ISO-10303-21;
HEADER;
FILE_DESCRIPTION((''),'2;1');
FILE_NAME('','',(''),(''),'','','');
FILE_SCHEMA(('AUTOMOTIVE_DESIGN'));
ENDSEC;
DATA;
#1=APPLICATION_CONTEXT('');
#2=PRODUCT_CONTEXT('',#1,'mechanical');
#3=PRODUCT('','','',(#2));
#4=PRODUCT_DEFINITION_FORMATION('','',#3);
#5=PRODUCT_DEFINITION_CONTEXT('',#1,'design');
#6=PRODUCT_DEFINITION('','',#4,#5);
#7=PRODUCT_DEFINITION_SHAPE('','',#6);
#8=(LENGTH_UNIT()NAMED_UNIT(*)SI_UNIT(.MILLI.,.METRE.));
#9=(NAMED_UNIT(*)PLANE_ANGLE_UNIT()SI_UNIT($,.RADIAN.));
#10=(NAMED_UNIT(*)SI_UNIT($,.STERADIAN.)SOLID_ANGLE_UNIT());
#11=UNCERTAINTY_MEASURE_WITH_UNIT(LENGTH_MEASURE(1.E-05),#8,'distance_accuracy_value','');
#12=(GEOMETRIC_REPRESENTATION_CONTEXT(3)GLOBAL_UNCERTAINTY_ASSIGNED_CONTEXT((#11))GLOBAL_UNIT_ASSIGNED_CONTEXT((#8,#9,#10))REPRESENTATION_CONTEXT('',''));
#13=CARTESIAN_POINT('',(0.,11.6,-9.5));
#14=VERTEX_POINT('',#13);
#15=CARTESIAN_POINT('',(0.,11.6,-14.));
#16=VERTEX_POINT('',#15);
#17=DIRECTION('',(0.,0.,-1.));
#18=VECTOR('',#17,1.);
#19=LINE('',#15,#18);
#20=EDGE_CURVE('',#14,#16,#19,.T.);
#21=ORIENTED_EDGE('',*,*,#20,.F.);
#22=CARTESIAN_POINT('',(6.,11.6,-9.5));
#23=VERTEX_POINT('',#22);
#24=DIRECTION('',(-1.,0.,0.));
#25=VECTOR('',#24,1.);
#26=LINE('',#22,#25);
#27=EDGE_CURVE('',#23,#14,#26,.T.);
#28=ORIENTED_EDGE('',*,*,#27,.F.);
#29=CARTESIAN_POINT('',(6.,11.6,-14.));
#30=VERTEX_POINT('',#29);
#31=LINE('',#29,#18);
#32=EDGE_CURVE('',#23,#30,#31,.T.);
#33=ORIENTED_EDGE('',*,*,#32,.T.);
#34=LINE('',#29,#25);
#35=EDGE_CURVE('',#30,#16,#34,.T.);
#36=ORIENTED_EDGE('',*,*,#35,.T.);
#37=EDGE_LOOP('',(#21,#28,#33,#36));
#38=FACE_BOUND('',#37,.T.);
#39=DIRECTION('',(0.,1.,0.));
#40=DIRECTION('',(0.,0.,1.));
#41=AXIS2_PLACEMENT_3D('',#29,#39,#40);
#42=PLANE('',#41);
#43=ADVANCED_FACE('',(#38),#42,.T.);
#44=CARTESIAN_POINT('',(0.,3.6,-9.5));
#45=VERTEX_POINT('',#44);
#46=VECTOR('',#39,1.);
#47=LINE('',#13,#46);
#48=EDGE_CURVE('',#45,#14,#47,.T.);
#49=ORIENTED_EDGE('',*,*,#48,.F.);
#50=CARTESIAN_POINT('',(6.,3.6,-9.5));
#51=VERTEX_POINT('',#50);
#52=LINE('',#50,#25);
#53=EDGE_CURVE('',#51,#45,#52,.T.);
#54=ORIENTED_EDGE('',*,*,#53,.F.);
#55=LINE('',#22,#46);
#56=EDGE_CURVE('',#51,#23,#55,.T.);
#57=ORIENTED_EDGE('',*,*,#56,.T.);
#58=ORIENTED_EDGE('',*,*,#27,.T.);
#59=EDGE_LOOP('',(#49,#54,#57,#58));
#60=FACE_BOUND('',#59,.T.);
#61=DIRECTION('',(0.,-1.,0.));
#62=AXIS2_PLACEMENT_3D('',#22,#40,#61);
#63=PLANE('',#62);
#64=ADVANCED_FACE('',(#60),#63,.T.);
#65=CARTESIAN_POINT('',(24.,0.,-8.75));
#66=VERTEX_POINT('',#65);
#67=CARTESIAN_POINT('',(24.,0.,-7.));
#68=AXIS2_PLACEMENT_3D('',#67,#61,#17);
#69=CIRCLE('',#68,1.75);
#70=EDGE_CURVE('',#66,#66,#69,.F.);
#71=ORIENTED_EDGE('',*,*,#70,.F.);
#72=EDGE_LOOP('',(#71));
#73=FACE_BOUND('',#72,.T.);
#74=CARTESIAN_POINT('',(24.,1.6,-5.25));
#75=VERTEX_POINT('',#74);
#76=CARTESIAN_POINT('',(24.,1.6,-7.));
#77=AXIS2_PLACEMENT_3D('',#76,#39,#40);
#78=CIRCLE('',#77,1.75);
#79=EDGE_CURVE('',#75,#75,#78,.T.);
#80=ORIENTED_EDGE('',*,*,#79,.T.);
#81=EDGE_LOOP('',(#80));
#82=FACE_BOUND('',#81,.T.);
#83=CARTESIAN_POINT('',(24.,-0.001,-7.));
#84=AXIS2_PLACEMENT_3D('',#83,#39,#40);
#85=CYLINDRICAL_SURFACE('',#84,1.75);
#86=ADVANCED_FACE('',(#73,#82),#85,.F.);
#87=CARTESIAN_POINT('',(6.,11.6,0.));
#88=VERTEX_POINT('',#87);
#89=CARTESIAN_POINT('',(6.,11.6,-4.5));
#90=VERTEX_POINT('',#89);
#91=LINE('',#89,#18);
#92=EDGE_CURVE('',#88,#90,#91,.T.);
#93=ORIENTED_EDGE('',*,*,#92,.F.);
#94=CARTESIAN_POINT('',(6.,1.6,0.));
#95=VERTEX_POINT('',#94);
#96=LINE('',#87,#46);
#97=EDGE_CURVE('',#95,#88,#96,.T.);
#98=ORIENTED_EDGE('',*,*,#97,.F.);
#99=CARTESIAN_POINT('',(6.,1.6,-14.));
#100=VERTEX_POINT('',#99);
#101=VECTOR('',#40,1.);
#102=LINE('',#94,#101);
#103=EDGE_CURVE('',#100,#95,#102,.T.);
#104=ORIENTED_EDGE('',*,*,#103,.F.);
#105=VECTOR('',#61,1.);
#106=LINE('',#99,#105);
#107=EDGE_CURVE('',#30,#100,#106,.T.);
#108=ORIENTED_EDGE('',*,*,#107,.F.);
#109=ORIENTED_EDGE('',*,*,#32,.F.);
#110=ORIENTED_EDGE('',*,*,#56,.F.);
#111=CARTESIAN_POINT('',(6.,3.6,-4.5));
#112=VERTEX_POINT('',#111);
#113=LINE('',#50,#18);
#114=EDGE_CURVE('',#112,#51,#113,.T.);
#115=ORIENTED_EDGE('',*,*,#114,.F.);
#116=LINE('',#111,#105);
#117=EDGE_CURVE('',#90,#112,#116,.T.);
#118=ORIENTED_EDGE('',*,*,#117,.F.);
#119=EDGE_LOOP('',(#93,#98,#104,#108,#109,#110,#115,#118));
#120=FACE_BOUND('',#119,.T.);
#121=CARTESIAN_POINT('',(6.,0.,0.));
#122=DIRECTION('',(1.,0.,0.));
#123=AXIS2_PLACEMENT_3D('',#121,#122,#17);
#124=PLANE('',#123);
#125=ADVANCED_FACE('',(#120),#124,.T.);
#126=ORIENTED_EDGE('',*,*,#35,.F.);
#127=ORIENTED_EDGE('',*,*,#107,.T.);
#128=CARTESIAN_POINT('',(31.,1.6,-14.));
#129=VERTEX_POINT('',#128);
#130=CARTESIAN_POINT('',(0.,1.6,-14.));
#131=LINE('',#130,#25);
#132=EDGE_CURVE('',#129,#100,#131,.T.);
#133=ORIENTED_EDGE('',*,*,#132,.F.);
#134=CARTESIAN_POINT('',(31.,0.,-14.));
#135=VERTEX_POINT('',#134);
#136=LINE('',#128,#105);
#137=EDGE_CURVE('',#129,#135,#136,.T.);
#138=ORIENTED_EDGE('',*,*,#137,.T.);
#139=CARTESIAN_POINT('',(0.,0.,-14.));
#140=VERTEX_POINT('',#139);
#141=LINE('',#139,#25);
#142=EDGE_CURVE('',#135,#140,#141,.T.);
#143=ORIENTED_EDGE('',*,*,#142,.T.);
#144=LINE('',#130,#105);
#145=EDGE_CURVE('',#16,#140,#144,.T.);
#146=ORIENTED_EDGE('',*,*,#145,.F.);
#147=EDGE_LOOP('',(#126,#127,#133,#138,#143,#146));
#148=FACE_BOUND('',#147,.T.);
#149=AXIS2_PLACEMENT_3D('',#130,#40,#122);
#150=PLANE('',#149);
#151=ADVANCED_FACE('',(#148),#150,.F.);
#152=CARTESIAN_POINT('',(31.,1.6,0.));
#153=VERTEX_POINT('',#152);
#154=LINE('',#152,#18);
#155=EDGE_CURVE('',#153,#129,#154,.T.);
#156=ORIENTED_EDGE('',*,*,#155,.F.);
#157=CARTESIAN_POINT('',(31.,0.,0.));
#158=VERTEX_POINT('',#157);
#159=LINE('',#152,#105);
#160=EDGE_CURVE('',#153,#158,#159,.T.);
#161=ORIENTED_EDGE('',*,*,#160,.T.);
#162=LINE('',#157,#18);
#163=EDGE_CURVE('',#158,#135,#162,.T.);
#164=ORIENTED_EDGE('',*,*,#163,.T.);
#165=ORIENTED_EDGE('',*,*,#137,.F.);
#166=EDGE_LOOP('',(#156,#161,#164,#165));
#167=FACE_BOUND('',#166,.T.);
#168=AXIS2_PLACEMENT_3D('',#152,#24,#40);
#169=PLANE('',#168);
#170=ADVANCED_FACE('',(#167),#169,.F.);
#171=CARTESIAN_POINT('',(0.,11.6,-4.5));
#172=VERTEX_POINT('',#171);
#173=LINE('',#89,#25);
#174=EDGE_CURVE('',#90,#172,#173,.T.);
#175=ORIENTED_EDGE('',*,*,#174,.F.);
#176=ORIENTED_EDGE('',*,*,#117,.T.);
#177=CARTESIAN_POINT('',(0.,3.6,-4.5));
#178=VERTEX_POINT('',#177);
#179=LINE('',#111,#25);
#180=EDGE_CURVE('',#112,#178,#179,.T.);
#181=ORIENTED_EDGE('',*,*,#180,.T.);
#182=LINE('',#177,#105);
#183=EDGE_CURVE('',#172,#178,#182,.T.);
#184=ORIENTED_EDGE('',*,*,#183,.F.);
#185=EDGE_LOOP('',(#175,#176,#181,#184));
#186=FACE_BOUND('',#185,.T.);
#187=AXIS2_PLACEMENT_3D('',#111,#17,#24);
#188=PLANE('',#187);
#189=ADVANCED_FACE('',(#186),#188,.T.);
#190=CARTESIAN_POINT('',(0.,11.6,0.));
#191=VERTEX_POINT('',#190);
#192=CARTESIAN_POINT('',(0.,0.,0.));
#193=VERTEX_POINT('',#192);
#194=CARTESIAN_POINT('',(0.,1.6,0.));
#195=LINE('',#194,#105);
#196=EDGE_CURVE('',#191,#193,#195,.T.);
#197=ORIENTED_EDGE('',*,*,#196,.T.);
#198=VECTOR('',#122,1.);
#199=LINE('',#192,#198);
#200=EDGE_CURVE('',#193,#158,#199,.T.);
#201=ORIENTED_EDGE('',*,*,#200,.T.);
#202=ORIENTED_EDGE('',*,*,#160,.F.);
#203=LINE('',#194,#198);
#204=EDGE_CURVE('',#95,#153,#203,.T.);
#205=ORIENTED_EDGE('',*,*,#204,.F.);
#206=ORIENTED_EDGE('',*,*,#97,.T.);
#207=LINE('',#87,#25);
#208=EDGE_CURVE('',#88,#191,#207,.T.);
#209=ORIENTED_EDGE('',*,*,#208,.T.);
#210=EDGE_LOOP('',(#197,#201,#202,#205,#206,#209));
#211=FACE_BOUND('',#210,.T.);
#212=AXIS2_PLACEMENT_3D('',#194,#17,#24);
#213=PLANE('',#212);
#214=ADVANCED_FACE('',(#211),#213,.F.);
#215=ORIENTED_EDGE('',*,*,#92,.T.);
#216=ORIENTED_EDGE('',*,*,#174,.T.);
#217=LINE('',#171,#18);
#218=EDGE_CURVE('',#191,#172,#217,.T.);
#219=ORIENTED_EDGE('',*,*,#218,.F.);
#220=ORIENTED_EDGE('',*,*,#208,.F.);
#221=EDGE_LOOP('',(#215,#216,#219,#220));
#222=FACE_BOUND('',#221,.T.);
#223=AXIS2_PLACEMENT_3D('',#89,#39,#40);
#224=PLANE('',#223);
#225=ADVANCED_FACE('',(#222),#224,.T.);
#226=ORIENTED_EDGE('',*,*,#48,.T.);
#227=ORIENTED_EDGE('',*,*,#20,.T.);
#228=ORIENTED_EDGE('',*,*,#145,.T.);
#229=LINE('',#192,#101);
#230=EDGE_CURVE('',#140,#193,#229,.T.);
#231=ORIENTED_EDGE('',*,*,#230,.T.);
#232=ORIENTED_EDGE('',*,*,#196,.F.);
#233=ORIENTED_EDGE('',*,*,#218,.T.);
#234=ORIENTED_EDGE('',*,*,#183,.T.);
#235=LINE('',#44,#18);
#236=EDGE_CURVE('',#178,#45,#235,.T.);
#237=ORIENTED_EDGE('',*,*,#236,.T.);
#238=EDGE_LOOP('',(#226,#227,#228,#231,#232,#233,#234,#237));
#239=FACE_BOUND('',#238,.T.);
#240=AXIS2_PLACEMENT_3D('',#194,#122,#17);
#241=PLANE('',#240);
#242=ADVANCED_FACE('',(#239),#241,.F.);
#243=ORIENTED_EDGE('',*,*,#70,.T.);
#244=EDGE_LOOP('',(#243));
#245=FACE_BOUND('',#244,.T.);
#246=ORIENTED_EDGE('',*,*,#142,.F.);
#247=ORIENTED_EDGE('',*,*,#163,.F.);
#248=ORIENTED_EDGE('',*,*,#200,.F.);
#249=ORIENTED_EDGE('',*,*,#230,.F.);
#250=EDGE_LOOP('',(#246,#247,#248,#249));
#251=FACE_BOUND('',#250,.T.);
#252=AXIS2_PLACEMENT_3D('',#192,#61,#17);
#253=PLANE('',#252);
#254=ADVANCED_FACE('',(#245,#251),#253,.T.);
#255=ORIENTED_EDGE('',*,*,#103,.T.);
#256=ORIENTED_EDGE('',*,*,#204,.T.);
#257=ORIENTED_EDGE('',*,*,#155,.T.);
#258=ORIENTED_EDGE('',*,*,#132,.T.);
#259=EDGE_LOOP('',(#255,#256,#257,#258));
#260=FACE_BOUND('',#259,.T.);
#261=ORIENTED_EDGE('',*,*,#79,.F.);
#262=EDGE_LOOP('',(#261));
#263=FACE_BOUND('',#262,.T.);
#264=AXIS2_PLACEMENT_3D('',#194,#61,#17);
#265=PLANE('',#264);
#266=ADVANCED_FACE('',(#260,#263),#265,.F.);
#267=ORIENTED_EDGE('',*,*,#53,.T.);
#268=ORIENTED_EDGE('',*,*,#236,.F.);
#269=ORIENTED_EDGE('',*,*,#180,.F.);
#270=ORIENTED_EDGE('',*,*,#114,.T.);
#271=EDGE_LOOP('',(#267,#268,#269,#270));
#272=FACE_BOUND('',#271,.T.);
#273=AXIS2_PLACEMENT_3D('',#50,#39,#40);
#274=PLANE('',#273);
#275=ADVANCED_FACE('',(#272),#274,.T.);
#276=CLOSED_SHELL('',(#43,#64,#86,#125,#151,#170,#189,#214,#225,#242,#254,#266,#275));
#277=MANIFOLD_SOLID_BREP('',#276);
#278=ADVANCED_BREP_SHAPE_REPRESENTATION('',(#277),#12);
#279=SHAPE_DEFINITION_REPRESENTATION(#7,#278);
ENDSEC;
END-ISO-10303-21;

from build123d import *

# Parameters (mm, degrees)
SCHIZZO2_W                   = 31
SCHIZZO2_H                   = 14
ESTRUSIONE_ESTRUSIONE1_DEPTH = 1.6
ESTRUSIONE_ESTRUSIONE2_DEPTH = 6
TAGLIO_ESTRUSIONE1_REACH     = 37.454
SCHIZZO4_R                   = 1.75


with BuildPart() as part:
    # Schizzo2 → Estrusione-Estrusione1 (new body)
    with BuildSketch(Plane(origin=(0, 0, 0), x_dir=(1, 0, 0), z_dir=(0, 1, 0))):
        with Locations((15.5, 7)):
            Rectangle(SCHIZZO2_W, SCHIZZO2_H)
    extrude(amount=ESTRUSIONE_ESTRUSIONE1_DEPTH)

    # Schizzo3 → Estrusione-Estrusione2 (add)
    with BuildSketch(Plane.ZY):
        Polygon((-14, 1.6), (-14, 11.6), (-9.5, 11.6), (-9.5, 3.6), (-4.5, 3.6), (-4.5, 11.6), (0, 11.6), (0, 1.6), align=None)
    extrude(amount=-ESTRUSIONE_ESTRUSIONE2_DEPTH)

    # Schizzo4 → Taglio-Estrusione1 (cut, up to next)
    with BuildSketch(Plane(origin=(0, 1.6, 0), x_dir=(1, 0, 0), z_dir=(0, 1, 0)), mode=Mode.PRIVATE) as taglio_estrusione1_sk1:
        with Locations(Location((24, 7, 0), (0, 0, 270))):
            Circle(SCHIZZO4_R)
    taglio_estrusione1_tool1 = extrude(taglio_estrusione1_sk1.sketch, amount=-TAGLIO_ESTRUSIONE1_REACH, mode=Mode.PRIVATE) & part.part
    add(taglio_estrusione1_tool1.solids().sort_by_distance((24, 1.6, -7))[0], mode=Mode.SUBTRACT)


solid = part.part
